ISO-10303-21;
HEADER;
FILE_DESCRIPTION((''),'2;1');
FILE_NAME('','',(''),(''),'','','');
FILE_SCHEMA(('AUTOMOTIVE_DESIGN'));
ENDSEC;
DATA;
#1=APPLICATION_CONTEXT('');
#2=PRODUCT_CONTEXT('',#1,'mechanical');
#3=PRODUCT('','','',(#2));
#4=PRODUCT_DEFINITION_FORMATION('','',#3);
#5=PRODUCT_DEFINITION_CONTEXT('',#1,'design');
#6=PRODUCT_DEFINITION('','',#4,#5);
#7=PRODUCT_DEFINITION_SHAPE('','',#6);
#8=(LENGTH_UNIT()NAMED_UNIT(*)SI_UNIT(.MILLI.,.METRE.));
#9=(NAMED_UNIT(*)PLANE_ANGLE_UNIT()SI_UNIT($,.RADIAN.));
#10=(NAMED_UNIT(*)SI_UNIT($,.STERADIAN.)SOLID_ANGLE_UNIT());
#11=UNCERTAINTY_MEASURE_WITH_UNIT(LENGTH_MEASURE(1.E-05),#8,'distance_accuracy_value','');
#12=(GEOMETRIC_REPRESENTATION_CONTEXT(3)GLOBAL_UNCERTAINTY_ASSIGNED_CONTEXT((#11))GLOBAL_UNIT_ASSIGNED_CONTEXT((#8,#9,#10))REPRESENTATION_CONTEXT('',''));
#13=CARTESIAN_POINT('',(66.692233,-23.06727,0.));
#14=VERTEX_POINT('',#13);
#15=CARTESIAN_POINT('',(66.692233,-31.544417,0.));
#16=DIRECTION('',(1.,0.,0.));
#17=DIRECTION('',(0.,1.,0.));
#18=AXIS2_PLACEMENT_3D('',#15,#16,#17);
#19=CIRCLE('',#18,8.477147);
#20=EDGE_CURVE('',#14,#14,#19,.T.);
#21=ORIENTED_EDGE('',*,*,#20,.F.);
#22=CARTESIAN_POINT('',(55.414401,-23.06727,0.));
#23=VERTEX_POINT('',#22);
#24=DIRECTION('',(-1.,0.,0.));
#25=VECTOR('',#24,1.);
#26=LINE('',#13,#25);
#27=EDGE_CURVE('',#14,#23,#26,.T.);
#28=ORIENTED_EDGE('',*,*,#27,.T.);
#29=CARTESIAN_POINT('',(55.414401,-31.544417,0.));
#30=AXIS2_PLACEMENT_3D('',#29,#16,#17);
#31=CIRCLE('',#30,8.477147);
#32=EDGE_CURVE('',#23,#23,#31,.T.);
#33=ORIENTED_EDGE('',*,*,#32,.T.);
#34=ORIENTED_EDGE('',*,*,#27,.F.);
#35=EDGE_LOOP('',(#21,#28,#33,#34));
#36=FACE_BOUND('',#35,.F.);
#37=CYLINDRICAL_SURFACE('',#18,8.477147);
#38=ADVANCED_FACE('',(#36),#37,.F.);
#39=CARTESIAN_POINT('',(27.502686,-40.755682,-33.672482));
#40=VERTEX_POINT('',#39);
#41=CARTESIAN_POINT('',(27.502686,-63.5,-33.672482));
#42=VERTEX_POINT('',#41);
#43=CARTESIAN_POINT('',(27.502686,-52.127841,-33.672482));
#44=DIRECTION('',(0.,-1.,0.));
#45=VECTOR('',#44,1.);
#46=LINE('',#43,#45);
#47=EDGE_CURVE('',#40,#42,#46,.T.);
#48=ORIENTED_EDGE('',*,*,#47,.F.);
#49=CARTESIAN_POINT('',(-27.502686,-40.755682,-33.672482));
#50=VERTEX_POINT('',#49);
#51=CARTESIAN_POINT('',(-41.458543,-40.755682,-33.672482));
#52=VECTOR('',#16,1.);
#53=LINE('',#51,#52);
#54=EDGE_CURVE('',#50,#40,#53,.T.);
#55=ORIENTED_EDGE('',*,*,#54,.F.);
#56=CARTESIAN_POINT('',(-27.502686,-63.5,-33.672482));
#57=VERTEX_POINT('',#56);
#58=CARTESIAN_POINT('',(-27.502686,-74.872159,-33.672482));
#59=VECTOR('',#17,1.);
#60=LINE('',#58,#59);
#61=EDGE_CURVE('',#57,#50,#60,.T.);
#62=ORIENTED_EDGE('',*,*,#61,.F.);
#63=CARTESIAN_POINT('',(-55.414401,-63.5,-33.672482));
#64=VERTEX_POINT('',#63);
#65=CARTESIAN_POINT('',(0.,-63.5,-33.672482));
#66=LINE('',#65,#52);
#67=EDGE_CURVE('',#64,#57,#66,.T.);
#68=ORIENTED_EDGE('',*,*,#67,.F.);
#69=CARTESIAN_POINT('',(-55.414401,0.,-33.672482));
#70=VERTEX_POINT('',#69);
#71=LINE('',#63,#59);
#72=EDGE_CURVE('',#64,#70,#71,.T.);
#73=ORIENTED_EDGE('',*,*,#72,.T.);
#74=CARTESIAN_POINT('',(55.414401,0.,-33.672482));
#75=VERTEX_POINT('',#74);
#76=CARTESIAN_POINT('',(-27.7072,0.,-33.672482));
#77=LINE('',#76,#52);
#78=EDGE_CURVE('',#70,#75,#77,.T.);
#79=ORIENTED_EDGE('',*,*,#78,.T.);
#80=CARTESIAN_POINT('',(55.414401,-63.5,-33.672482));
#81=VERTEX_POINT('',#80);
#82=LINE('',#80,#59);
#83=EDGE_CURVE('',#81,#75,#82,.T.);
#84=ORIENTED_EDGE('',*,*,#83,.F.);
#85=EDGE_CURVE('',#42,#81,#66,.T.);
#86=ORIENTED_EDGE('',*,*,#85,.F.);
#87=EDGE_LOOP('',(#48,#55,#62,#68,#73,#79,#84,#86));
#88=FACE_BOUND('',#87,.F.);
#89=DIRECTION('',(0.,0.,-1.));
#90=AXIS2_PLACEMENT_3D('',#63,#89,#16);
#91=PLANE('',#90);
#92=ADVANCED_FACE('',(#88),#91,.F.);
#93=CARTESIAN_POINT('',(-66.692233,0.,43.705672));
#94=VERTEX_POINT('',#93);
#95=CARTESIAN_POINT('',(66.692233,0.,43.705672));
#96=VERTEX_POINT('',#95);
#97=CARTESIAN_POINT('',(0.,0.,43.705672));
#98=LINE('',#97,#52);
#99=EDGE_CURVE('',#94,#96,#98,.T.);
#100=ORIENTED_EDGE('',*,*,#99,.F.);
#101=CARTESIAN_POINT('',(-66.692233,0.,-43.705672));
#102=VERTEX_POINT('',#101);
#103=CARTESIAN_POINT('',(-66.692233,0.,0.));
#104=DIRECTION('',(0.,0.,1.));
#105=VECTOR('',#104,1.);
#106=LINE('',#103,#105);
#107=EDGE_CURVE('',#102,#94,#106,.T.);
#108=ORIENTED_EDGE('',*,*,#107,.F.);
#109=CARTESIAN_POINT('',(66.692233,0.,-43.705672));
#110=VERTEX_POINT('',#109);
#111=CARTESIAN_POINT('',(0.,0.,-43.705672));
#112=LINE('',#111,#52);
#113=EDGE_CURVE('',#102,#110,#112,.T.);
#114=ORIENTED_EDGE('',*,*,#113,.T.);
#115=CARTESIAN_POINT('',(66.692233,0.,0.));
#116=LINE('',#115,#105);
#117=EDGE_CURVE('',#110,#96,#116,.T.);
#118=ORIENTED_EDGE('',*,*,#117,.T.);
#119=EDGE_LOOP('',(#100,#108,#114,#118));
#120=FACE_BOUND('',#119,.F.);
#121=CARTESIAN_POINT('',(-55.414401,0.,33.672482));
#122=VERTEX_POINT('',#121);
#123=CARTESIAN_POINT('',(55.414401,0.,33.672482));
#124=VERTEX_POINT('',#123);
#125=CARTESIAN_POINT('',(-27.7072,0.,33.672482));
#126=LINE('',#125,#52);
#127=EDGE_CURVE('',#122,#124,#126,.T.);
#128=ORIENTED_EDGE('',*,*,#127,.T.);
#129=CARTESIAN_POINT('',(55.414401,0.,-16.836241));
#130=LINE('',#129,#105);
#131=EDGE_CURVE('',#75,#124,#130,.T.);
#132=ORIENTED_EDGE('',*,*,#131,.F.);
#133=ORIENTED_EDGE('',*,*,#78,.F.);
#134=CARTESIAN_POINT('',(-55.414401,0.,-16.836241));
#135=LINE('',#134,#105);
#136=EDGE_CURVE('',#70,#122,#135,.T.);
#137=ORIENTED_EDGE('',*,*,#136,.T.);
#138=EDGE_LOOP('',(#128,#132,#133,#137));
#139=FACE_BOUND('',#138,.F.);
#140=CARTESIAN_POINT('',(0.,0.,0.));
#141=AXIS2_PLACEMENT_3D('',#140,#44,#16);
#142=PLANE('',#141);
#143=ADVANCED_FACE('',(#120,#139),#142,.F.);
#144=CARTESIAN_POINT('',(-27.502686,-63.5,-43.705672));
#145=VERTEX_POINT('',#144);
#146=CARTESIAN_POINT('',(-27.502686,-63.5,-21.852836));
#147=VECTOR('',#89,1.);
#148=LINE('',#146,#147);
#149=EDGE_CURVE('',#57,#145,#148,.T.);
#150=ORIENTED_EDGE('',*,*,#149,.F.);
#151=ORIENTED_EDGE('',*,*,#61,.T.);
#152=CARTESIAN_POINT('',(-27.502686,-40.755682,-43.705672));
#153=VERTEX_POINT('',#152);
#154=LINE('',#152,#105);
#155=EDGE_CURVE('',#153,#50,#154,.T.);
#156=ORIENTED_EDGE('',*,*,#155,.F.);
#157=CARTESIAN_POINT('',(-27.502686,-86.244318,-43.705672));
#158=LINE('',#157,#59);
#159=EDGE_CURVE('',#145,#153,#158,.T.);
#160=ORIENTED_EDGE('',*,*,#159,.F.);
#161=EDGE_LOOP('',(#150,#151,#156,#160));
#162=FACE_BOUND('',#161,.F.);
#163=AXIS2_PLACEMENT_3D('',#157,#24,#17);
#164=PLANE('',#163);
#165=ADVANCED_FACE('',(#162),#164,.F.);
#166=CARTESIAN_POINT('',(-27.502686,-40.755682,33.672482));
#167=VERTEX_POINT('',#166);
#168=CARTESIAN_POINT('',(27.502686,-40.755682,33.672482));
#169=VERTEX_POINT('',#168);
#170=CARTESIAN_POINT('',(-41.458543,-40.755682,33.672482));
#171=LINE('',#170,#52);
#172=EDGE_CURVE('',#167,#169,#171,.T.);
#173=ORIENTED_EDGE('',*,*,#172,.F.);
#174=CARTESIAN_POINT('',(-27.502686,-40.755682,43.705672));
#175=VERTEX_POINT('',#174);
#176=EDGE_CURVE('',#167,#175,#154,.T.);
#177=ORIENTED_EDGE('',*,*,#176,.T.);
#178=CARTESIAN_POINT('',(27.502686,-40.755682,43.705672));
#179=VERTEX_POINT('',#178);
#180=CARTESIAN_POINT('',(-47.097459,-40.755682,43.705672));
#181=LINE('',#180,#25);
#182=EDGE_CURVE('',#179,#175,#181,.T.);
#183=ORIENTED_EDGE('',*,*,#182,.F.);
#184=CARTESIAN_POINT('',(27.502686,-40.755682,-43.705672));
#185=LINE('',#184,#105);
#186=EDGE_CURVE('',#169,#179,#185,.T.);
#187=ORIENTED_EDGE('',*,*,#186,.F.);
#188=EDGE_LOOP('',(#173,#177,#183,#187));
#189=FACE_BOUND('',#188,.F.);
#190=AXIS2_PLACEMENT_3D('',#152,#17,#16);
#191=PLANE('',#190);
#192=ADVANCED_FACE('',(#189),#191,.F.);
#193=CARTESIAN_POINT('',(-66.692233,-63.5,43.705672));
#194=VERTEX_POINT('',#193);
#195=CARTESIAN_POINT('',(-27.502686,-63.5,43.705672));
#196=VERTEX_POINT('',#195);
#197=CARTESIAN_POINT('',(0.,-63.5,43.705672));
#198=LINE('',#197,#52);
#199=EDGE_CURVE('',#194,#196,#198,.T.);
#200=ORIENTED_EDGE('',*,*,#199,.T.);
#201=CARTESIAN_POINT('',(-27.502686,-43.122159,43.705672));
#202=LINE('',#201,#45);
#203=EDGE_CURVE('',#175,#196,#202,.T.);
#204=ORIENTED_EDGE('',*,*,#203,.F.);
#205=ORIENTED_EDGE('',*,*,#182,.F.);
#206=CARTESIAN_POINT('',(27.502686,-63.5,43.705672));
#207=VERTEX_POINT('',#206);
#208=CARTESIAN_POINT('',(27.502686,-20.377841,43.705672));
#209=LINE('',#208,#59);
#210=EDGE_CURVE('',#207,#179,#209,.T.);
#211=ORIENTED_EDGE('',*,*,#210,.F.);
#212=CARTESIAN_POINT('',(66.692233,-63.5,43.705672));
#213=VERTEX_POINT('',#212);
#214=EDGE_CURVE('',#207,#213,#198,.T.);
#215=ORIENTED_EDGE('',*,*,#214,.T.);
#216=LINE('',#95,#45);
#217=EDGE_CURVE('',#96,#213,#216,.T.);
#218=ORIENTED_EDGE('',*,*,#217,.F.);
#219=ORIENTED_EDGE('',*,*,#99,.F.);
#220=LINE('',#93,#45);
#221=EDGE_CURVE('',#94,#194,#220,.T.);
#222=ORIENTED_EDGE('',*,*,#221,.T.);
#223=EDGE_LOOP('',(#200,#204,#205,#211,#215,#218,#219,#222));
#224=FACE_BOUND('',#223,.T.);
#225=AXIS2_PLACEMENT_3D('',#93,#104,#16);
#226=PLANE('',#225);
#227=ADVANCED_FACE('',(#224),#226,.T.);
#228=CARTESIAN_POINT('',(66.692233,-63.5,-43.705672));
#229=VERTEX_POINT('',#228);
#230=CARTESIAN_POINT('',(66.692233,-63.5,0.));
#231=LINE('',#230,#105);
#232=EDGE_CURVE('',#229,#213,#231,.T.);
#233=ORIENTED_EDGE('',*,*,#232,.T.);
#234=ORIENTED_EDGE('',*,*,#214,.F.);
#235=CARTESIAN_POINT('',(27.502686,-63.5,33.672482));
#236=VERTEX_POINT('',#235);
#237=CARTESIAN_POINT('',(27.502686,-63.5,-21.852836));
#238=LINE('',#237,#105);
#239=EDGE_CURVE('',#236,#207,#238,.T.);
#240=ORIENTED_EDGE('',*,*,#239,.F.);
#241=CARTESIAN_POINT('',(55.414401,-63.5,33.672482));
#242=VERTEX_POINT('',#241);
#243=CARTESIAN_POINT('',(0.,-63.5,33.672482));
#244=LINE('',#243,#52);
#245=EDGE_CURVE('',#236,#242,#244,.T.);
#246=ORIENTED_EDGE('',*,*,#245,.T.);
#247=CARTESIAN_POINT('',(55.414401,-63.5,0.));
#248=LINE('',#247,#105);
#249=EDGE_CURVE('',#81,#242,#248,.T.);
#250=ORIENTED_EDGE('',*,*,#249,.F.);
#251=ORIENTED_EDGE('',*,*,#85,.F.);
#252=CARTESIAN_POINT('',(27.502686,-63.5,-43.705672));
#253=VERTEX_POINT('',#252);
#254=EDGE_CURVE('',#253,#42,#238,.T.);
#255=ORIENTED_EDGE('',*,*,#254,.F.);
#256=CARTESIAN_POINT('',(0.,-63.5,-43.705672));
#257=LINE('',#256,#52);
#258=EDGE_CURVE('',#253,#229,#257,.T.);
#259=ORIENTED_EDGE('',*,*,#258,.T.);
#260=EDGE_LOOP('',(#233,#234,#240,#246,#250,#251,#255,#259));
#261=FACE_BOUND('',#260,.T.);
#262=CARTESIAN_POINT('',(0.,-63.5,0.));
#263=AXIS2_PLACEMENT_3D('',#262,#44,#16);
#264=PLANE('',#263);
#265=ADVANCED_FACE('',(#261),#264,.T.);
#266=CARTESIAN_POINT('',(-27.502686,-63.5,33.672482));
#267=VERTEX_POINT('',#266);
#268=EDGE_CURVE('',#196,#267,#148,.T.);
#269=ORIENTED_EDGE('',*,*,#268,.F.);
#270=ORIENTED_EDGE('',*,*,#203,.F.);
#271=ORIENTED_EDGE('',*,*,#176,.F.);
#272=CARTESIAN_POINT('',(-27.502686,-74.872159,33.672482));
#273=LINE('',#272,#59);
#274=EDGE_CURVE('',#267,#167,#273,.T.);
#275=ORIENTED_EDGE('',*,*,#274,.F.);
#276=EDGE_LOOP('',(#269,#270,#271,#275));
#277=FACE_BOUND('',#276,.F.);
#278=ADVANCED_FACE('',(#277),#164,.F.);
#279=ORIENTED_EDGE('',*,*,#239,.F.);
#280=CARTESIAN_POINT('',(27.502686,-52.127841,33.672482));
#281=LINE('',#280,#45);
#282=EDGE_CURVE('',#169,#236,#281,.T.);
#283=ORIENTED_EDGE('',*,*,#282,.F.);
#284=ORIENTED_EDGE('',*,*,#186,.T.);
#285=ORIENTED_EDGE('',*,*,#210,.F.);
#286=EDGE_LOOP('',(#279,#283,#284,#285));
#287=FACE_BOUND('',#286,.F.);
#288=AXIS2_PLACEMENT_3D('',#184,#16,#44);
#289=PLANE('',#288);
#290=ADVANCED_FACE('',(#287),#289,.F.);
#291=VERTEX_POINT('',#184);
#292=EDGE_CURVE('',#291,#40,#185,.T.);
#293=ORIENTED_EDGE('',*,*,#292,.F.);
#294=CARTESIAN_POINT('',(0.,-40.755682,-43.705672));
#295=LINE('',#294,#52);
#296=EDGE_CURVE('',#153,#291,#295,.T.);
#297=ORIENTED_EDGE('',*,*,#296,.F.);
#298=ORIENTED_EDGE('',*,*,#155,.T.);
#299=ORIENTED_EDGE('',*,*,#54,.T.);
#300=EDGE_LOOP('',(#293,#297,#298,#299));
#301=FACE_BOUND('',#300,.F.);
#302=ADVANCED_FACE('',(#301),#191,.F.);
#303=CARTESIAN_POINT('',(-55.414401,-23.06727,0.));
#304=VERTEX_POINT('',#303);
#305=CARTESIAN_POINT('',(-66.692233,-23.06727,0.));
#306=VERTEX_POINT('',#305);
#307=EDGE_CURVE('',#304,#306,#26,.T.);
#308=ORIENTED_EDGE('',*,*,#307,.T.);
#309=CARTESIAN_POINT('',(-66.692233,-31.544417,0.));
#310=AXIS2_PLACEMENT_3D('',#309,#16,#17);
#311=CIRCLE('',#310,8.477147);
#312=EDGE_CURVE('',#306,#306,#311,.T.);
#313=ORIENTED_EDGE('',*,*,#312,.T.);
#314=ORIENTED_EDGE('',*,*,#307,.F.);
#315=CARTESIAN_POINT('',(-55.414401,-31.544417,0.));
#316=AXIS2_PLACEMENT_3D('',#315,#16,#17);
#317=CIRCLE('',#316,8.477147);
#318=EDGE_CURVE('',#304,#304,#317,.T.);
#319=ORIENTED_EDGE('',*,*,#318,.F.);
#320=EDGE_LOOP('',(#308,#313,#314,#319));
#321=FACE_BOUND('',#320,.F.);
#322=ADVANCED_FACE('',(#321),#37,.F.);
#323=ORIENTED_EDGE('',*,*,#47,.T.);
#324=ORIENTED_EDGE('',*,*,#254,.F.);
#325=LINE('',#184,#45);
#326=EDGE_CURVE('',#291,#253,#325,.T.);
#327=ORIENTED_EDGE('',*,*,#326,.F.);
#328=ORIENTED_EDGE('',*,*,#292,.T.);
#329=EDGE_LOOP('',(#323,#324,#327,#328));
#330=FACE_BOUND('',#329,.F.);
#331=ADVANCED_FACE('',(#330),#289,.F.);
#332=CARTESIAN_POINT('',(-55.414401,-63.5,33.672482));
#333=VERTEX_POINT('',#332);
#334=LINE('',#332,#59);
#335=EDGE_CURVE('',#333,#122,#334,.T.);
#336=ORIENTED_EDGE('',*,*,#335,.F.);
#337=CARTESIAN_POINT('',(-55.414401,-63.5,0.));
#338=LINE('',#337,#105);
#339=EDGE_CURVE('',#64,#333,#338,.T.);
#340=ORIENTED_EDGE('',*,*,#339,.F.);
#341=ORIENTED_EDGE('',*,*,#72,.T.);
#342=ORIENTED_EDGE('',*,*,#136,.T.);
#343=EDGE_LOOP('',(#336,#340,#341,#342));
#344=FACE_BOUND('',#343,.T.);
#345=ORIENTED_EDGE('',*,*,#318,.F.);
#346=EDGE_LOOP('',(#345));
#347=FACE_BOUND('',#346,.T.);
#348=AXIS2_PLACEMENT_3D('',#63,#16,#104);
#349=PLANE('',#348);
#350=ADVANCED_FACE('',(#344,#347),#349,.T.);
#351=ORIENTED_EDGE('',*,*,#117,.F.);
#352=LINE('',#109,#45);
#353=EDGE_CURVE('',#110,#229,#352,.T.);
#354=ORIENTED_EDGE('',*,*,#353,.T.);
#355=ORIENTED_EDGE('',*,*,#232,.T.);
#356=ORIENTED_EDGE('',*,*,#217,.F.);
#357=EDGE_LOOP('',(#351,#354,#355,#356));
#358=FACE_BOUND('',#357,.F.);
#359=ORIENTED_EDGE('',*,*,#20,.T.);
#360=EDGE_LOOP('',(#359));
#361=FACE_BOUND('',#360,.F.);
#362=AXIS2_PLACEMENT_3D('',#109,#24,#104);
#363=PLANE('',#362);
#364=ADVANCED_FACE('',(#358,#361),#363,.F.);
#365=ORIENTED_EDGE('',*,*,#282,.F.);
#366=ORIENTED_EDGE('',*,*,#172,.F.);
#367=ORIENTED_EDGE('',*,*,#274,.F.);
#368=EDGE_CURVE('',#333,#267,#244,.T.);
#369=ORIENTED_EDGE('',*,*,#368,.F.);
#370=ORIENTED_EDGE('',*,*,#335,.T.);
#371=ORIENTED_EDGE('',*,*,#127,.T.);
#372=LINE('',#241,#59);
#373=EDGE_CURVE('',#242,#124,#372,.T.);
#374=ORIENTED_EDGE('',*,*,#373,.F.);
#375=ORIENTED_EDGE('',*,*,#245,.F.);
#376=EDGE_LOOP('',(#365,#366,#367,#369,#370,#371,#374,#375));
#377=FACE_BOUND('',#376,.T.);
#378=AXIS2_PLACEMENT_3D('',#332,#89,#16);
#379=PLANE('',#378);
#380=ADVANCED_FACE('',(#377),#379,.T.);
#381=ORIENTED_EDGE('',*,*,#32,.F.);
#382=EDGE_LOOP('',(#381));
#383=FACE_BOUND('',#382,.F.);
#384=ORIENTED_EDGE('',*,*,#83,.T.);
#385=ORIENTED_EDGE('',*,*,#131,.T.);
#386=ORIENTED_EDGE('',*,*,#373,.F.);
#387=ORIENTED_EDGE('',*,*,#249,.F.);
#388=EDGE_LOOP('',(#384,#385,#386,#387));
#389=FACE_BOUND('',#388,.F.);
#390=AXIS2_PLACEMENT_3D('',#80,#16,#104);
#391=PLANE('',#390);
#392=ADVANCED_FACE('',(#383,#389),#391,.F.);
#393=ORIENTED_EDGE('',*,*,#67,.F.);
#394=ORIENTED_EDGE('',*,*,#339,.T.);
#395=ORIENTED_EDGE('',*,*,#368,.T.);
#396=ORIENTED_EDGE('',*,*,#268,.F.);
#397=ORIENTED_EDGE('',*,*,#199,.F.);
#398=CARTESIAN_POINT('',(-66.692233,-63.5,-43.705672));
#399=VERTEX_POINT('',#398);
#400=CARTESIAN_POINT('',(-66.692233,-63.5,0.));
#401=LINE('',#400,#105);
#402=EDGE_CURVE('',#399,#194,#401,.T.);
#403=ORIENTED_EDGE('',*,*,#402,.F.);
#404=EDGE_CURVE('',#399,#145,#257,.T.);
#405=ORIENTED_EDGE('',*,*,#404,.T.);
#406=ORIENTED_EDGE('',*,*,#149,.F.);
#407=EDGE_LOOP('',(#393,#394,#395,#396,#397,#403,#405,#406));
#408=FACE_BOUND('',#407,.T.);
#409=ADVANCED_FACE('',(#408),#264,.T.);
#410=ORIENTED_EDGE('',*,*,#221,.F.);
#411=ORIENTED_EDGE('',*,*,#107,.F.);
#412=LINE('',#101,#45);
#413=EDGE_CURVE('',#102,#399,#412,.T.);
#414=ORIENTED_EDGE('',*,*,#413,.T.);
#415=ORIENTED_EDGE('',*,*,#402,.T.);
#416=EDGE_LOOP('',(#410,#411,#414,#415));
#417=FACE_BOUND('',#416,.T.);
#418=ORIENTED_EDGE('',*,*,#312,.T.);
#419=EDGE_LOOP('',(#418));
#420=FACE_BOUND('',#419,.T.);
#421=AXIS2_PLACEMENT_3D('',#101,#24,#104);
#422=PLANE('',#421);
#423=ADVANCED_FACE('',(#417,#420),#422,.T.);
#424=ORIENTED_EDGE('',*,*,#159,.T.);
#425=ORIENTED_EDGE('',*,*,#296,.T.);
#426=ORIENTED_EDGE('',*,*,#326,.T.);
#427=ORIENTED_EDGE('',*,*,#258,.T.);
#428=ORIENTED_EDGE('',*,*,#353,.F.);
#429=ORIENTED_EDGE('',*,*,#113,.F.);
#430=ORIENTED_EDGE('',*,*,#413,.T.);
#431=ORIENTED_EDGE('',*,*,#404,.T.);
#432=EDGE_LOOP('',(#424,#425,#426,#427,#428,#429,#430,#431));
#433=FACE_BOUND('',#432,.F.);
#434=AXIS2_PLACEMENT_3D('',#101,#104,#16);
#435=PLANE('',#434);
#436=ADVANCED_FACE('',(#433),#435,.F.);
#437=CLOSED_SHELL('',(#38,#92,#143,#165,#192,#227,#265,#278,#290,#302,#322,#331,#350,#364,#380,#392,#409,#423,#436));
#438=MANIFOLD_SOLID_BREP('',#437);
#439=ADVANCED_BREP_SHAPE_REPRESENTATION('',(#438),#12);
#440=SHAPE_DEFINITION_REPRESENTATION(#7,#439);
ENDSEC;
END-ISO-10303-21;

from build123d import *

# Parameters (mm, degrees)
F0_W     = 133.384466
F0_H     = 87.411344
F1_DEPTH = 63.5
F4_W     = 110.828802
F4_H     = 67.344964
F5_DEPTH = 63.501
F6_W     = 55.005372
F6_H     = 22.744318
F2_DEPTH = 87.412344
F3_R     = 8.477147
F7_DEPTH = 133.385466


with BuildPart() as f1:
    # F0 (on Front) → F1 (new body)
    with BuildSketch(Plane.XZ):
        Rectangle(F0_W, F0_H)
    extrude(amount=F1_DEPTH)

    # F4 (on face) → F5 (cut, through all)
    with BuildSketch(Plane.XZ.offset(63.5)):
        Rectangle(F4_W, F4_H)
    extrude(amount=-F5_DEPTH, mode=Mode.SUBTRACT)

    # F6 (on face) → F2 (cut, through all)
    with BuildSketch(Plane(origin=(0, 0, -43.705672), x_dir=(1, 0, 0), z_dir=(0, 0, -1))):
        with Locations((0, 74.872159)):
            Rectangle(F6_W, F6_H)
        with Locations((0, 52.127841)):
            Rectangle(F6_W, F6_H)
    extrude(amount=-F2_DEPTH, mode=Mode.SUBTRACT)

    # F3 (on face) → F7 (cut, through all)
    with BuildSketch(Plane.YZ.offset(66.692233)):
        with Locations((-31.544417, 0)):
            Circle(F3_R)
    extrude(amount=-F7_DEPTH, mode=Mode.SUBTRACT)


solid = f1.part
